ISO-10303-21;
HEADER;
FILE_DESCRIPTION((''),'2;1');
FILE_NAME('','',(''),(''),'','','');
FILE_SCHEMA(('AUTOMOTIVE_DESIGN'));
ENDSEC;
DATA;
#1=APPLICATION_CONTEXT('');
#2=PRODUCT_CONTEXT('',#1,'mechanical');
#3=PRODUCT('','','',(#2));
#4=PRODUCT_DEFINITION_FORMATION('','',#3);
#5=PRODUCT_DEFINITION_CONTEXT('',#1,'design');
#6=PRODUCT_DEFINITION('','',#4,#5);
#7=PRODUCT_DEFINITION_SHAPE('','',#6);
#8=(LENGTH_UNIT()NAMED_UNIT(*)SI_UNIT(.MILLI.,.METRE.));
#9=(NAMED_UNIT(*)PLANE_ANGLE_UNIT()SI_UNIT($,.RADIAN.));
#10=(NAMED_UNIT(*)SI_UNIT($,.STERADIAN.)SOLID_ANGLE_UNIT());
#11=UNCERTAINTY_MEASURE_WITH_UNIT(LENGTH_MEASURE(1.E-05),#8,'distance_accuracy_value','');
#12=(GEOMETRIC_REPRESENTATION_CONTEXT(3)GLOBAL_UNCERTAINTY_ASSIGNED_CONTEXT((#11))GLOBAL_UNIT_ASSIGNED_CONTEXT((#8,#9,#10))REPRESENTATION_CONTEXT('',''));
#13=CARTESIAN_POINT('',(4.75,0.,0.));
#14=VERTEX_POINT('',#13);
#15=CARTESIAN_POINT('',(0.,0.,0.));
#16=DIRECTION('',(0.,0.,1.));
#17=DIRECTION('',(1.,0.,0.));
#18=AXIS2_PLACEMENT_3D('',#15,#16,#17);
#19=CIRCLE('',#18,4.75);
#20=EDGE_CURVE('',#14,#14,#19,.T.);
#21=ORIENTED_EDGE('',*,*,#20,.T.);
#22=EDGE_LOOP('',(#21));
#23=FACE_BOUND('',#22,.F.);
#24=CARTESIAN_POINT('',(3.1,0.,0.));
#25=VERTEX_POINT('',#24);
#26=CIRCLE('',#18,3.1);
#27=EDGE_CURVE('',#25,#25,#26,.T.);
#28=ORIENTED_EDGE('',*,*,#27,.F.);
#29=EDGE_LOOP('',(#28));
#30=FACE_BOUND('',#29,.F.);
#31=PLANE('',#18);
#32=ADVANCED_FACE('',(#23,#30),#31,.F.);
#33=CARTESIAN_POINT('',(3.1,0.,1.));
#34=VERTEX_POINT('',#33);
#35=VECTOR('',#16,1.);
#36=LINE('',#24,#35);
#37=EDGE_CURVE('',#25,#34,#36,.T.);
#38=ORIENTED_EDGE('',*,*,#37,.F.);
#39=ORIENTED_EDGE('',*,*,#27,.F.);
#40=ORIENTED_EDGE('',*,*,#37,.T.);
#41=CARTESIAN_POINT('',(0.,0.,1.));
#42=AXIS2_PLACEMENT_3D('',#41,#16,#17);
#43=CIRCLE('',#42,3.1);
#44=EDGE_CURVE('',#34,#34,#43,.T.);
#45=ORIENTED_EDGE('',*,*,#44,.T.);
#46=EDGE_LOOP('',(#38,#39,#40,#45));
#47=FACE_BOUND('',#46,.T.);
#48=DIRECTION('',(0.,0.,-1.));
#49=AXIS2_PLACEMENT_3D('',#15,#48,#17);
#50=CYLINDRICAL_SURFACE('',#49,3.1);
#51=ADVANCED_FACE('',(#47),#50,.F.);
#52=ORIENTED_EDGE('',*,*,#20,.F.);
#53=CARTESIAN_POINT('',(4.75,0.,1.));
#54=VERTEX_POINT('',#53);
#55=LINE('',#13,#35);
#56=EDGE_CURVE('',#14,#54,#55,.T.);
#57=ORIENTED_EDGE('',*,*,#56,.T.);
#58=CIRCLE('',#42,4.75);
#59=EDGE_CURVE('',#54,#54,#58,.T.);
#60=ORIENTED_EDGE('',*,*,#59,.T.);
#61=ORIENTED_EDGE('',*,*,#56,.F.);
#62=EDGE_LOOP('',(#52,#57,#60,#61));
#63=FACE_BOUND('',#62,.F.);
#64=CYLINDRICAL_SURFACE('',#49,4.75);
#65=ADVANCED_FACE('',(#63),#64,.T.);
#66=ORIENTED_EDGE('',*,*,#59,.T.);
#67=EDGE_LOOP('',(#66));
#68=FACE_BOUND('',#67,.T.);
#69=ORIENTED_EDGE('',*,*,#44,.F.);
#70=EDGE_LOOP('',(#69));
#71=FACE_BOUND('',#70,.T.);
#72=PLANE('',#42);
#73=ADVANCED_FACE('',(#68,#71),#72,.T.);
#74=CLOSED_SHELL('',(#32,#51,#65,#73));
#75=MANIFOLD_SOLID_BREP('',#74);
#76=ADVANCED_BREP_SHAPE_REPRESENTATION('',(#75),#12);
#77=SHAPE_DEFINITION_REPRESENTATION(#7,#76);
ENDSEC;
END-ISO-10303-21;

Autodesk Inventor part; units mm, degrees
ref_plane "YZ Plane" through (0, 0, 0) normal (1, 0, 0) x (0, 1, 0)
ref_plane "XZ Plane" through (0, 0, 0) normal (0, 1, 0) x (-1, 0, 0)
ref_plane "XY Plane" through (0, 0, 0) normal (0, 0, 1) x (1, 0, 0)
sketch "スケッチ1" plane through (0, 0, 0) normal (0, 0, 1) x (1, 0, 0)
  circle A0 centre (0, 0) radius 3.1
  circle A1 centre (0, 0) radius 4.75
  dimension "d0" = 6.2
  dimension "d1" = 9.5
extrude "押し出し1" add sketch "スケッチ1" along normal blind 1
properties part number "ポリスライダ 内径6 厚み1" material "アセタール樹脂、黒"
